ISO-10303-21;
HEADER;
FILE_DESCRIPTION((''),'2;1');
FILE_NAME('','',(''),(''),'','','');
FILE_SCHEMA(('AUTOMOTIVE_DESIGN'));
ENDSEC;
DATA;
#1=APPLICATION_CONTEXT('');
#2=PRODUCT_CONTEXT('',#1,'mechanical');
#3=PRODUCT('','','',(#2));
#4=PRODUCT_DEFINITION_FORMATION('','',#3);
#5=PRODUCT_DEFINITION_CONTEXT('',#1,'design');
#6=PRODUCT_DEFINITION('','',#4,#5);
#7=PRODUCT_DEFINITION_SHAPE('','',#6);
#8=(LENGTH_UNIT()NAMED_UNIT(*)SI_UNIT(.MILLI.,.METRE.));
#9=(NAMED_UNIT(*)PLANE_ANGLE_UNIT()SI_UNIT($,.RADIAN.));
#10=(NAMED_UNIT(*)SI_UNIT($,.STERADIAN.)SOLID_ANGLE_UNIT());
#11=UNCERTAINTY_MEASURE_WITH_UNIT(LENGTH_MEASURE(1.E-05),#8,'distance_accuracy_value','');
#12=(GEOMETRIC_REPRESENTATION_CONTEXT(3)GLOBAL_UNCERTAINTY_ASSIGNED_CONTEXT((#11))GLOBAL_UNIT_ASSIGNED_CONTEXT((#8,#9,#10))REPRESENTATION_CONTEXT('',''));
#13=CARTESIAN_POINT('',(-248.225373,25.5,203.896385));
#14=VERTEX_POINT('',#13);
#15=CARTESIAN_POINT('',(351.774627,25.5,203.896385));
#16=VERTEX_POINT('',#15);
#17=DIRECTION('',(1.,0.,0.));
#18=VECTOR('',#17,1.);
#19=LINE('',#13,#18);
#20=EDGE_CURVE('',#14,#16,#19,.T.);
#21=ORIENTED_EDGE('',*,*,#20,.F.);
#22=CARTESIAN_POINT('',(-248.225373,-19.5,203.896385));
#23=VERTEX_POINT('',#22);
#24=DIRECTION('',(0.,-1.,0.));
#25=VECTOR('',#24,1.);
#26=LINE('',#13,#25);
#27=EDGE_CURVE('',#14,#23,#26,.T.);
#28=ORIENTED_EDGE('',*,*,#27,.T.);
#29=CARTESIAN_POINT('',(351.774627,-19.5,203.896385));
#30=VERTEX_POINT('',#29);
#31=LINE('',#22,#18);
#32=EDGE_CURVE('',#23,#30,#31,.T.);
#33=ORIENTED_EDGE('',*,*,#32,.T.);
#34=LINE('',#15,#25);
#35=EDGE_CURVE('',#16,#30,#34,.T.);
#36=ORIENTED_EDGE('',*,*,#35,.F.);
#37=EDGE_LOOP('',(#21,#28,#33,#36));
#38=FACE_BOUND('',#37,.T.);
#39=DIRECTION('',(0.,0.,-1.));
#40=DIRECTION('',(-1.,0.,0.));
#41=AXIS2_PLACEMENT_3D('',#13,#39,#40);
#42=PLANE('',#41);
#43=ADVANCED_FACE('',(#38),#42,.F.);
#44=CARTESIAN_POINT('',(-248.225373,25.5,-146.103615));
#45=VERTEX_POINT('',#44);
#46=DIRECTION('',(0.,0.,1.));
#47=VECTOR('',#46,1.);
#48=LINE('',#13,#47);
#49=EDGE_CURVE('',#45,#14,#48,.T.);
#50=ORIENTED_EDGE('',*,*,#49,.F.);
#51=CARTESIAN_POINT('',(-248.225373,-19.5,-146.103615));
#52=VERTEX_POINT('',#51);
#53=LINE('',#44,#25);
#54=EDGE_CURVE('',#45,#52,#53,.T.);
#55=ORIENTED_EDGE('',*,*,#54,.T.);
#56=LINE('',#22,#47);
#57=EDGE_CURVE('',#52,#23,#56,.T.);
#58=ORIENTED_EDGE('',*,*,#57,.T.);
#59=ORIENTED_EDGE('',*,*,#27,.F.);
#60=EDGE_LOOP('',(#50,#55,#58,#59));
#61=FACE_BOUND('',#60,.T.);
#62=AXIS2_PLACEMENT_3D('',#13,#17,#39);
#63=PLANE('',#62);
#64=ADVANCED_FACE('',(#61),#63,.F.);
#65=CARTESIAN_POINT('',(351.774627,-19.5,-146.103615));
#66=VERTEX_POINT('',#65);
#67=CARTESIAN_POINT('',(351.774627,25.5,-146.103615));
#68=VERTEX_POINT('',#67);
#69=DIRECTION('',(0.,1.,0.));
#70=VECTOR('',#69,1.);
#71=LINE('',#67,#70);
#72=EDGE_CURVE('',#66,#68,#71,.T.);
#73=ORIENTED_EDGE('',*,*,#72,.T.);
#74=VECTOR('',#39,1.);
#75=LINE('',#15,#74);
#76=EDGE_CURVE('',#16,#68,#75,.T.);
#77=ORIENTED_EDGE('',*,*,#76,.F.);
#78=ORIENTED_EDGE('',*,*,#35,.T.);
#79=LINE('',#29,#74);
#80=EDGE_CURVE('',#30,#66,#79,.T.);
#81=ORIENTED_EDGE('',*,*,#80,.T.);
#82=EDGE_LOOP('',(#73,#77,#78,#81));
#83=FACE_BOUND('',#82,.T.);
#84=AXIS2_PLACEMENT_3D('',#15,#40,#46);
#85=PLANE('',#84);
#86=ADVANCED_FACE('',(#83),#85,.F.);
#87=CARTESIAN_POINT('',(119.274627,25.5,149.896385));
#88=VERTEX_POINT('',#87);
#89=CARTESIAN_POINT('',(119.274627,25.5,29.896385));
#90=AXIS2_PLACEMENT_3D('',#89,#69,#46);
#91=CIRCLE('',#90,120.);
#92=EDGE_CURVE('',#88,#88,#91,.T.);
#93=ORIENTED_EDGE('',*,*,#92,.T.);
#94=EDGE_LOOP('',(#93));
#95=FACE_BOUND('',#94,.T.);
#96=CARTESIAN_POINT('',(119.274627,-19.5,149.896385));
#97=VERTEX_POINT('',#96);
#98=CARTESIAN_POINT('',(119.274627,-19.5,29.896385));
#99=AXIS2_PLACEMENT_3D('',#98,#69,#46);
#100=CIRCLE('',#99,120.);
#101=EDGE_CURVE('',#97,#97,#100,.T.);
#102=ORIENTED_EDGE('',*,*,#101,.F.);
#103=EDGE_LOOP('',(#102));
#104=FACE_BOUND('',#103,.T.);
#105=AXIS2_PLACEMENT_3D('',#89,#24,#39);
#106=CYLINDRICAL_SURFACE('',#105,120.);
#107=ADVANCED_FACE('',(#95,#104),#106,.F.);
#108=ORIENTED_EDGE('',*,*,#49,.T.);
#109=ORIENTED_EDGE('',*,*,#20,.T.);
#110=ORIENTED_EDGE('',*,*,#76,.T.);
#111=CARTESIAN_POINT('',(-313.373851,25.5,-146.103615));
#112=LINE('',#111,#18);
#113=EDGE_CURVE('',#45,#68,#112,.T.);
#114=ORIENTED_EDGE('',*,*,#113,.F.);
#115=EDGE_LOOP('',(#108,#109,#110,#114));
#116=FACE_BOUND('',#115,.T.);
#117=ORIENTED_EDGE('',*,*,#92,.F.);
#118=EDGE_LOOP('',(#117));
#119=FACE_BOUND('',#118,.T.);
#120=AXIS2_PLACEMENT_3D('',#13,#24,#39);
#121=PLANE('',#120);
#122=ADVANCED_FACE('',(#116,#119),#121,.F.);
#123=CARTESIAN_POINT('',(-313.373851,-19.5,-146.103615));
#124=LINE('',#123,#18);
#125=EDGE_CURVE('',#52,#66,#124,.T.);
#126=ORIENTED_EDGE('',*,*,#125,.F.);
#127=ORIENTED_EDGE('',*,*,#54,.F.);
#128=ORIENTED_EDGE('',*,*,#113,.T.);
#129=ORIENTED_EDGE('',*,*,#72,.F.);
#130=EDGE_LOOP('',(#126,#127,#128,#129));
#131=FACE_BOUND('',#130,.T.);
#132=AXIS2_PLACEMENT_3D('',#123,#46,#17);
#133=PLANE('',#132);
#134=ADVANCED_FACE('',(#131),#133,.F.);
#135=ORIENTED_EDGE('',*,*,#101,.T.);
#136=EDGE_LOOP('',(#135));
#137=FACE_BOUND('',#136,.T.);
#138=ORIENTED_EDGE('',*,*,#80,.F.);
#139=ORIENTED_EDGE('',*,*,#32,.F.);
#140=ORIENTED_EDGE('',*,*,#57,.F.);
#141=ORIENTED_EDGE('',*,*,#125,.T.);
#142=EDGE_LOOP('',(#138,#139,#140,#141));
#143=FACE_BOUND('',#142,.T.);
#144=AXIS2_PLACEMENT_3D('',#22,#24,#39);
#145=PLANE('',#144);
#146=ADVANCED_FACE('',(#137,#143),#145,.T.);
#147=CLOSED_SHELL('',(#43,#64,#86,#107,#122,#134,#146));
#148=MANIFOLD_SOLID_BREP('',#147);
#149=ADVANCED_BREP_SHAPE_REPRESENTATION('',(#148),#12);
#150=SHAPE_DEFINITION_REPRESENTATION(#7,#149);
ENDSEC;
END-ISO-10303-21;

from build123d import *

# Parameters (mm, degrees)
SKETCH1_W           = 80
SKETCH1_H           = 60
SKETCH1_R           = 16
BOSS_EXTRUDE1_DEPTH = 6
SCALE1_SCALE        = 7.5
SKETCH2_W           = 741.9419144
SKETCH2_H           = 114.286704827
CUT_EXTRUDE1_DEPTH  = 46


with BuildPart() as part:
    # Sketch1 → Boss-Extrude1 (new body)
    with BuildSketch(Plane(origin=(0, 0, 0), x_dir=(1, 0, 0), z_dir=(0, 1, 0))):
        with Locations((40, 30)):
            Rectangle(SKETCH1_W, SKETCH1_H)
        with Locations((49, 23.2)):
            Circle(SKETCH1_R, mode=Mode.SUBTRACT)
    extrude(amount=BOSS_EXTRUDE1_DEPTH)


with BuildPart() as part_1:
    # Scale1: scaled about (38.188518966, 3, -31.368674559)
    add(part.part.scale(SCALE1_SCALE).moved(Location((-248.225373279, -19.5, 203.896384633))))

    # Sketch2 → Cut-Extrude1 (cut, through all)
    with BuildSketch(Plane(origin=(0, 25.5, 0), x_dir=(1, 0, 0), z_dir=(0, 1, 0))):
        with Locations((57.597106318, 203.246967778)):
            Rectangle(SKETCH2_W, SKETCH2_H)
    extrude(amount=-CUT_EXTRUDE1_DEPTH, mode=Mode.SUBTRACT)


solid = part_1.part
